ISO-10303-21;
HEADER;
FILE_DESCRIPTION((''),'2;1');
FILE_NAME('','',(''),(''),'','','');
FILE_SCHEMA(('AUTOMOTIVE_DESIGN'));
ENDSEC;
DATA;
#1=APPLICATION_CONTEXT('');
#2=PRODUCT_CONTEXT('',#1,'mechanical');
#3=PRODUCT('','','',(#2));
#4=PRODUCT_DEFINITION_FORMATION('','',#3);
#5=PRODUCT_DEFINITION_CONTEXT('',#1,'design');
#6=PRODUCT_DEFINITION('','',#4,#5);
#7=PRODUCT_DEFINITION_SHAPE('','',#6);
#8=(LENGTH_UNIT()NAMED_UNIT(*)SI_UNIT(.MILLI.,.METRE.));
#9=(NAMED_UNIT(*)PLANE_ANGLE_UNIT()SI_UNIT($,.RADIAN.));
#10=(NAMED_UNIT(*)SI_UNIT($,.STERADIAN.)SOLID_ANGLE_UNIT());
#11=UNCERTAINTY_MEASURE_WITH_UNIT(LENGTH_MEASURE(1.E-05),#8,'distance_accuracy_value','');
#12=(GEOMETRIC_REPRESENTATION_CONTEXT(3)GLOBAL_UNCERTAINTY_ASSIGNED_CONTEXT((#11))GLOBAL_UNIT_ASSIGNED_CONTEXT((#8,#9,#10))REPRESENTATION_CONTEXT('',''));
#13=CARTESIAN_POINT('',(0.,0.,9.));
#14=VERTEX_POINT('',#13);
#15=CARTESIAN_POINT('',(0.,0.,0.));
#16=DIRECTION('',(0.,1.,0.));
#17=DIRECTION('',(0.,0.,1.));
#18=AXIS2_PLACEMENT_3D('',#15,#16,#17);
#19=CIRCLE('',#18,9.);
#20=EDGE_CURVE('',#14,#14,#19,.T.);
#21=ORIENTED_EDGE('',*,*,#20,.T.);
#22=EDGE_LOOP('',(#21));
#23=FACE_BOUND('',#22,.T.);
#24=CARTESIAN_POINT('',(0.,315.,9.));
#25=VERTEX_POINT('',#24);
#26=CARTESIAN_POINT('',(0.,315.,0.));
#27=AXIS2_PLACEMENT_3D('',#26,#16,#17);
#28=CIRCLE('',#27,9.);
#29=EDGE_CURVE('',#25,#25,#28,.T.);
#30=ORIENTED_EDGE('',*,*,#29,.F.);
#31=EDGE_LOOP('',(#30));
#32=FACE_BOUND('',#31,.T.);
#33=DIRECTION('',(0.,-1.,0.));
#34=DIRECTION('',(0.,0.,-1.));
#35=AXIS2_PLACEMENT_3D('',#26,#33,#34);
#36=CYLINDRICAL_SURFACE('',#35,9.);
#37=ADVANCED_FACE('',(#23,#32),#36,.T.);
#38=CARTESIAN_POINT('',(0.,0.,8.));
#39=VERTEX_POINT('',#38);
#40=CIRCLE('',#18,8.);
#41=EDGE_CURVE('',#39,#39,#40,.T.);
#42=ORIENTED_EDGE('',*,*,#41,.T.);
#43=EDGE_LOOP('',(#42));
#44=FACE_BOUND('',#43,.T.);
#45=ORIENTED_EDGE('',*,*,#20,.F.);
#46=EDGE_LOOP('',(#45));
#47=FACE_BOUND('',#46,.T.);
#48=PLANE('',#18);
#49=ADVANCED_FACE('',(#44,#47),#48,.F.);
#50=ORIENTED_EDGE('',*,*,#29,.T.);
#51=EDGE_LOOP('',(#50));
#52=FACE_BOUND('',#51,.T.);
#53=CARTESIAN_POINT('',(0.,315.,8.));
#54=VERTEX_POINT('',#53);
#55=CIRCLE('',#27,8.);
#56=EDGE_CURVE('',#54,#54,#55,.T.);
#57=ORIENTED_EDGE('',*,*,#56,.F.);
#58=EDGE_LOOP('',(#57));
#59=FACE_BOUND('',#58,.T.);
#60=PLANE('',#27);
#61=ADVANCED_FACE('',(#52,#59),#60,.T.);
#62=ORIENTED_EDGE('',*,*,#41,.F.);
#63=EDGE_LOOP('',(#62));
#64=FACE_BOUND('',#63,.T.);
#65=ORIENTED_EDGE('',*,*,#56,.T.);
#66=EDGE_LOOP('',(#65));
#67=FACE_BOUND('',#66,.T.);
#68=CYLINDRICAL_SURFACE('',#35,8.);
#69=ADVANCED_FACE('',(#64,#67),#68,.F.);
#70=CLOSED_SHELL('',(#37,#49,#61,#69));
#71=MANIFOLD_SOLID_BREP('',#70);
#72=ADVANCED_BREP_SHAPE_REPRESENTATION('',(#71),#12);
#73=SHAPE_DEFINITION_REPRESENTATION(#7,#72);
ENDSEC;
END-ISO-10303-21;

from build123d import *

# Parameters (mm, degrees)
CROQUIS1_R              = 9
CROQUIS1_R_2            = 8
SALIENTE_EXTRUIR1_DEPTH = 315


with BuildPart() as part:
    # Croquis1 → Saliente-Extruir1 (new body)
    with BuildSketch(Plane(origin=(0, 0, 0), x_dir=(1, 0, 0), z_dir=(0, 1, 0))):
        Circle(CROQUIS1_R)
        Circle(CROQUIS1_R_2, mode=Mode.SUBTRACT)
    extrude(amount=SALIENTE_EXTRUIR1_DEPTH)


solid = part.part
